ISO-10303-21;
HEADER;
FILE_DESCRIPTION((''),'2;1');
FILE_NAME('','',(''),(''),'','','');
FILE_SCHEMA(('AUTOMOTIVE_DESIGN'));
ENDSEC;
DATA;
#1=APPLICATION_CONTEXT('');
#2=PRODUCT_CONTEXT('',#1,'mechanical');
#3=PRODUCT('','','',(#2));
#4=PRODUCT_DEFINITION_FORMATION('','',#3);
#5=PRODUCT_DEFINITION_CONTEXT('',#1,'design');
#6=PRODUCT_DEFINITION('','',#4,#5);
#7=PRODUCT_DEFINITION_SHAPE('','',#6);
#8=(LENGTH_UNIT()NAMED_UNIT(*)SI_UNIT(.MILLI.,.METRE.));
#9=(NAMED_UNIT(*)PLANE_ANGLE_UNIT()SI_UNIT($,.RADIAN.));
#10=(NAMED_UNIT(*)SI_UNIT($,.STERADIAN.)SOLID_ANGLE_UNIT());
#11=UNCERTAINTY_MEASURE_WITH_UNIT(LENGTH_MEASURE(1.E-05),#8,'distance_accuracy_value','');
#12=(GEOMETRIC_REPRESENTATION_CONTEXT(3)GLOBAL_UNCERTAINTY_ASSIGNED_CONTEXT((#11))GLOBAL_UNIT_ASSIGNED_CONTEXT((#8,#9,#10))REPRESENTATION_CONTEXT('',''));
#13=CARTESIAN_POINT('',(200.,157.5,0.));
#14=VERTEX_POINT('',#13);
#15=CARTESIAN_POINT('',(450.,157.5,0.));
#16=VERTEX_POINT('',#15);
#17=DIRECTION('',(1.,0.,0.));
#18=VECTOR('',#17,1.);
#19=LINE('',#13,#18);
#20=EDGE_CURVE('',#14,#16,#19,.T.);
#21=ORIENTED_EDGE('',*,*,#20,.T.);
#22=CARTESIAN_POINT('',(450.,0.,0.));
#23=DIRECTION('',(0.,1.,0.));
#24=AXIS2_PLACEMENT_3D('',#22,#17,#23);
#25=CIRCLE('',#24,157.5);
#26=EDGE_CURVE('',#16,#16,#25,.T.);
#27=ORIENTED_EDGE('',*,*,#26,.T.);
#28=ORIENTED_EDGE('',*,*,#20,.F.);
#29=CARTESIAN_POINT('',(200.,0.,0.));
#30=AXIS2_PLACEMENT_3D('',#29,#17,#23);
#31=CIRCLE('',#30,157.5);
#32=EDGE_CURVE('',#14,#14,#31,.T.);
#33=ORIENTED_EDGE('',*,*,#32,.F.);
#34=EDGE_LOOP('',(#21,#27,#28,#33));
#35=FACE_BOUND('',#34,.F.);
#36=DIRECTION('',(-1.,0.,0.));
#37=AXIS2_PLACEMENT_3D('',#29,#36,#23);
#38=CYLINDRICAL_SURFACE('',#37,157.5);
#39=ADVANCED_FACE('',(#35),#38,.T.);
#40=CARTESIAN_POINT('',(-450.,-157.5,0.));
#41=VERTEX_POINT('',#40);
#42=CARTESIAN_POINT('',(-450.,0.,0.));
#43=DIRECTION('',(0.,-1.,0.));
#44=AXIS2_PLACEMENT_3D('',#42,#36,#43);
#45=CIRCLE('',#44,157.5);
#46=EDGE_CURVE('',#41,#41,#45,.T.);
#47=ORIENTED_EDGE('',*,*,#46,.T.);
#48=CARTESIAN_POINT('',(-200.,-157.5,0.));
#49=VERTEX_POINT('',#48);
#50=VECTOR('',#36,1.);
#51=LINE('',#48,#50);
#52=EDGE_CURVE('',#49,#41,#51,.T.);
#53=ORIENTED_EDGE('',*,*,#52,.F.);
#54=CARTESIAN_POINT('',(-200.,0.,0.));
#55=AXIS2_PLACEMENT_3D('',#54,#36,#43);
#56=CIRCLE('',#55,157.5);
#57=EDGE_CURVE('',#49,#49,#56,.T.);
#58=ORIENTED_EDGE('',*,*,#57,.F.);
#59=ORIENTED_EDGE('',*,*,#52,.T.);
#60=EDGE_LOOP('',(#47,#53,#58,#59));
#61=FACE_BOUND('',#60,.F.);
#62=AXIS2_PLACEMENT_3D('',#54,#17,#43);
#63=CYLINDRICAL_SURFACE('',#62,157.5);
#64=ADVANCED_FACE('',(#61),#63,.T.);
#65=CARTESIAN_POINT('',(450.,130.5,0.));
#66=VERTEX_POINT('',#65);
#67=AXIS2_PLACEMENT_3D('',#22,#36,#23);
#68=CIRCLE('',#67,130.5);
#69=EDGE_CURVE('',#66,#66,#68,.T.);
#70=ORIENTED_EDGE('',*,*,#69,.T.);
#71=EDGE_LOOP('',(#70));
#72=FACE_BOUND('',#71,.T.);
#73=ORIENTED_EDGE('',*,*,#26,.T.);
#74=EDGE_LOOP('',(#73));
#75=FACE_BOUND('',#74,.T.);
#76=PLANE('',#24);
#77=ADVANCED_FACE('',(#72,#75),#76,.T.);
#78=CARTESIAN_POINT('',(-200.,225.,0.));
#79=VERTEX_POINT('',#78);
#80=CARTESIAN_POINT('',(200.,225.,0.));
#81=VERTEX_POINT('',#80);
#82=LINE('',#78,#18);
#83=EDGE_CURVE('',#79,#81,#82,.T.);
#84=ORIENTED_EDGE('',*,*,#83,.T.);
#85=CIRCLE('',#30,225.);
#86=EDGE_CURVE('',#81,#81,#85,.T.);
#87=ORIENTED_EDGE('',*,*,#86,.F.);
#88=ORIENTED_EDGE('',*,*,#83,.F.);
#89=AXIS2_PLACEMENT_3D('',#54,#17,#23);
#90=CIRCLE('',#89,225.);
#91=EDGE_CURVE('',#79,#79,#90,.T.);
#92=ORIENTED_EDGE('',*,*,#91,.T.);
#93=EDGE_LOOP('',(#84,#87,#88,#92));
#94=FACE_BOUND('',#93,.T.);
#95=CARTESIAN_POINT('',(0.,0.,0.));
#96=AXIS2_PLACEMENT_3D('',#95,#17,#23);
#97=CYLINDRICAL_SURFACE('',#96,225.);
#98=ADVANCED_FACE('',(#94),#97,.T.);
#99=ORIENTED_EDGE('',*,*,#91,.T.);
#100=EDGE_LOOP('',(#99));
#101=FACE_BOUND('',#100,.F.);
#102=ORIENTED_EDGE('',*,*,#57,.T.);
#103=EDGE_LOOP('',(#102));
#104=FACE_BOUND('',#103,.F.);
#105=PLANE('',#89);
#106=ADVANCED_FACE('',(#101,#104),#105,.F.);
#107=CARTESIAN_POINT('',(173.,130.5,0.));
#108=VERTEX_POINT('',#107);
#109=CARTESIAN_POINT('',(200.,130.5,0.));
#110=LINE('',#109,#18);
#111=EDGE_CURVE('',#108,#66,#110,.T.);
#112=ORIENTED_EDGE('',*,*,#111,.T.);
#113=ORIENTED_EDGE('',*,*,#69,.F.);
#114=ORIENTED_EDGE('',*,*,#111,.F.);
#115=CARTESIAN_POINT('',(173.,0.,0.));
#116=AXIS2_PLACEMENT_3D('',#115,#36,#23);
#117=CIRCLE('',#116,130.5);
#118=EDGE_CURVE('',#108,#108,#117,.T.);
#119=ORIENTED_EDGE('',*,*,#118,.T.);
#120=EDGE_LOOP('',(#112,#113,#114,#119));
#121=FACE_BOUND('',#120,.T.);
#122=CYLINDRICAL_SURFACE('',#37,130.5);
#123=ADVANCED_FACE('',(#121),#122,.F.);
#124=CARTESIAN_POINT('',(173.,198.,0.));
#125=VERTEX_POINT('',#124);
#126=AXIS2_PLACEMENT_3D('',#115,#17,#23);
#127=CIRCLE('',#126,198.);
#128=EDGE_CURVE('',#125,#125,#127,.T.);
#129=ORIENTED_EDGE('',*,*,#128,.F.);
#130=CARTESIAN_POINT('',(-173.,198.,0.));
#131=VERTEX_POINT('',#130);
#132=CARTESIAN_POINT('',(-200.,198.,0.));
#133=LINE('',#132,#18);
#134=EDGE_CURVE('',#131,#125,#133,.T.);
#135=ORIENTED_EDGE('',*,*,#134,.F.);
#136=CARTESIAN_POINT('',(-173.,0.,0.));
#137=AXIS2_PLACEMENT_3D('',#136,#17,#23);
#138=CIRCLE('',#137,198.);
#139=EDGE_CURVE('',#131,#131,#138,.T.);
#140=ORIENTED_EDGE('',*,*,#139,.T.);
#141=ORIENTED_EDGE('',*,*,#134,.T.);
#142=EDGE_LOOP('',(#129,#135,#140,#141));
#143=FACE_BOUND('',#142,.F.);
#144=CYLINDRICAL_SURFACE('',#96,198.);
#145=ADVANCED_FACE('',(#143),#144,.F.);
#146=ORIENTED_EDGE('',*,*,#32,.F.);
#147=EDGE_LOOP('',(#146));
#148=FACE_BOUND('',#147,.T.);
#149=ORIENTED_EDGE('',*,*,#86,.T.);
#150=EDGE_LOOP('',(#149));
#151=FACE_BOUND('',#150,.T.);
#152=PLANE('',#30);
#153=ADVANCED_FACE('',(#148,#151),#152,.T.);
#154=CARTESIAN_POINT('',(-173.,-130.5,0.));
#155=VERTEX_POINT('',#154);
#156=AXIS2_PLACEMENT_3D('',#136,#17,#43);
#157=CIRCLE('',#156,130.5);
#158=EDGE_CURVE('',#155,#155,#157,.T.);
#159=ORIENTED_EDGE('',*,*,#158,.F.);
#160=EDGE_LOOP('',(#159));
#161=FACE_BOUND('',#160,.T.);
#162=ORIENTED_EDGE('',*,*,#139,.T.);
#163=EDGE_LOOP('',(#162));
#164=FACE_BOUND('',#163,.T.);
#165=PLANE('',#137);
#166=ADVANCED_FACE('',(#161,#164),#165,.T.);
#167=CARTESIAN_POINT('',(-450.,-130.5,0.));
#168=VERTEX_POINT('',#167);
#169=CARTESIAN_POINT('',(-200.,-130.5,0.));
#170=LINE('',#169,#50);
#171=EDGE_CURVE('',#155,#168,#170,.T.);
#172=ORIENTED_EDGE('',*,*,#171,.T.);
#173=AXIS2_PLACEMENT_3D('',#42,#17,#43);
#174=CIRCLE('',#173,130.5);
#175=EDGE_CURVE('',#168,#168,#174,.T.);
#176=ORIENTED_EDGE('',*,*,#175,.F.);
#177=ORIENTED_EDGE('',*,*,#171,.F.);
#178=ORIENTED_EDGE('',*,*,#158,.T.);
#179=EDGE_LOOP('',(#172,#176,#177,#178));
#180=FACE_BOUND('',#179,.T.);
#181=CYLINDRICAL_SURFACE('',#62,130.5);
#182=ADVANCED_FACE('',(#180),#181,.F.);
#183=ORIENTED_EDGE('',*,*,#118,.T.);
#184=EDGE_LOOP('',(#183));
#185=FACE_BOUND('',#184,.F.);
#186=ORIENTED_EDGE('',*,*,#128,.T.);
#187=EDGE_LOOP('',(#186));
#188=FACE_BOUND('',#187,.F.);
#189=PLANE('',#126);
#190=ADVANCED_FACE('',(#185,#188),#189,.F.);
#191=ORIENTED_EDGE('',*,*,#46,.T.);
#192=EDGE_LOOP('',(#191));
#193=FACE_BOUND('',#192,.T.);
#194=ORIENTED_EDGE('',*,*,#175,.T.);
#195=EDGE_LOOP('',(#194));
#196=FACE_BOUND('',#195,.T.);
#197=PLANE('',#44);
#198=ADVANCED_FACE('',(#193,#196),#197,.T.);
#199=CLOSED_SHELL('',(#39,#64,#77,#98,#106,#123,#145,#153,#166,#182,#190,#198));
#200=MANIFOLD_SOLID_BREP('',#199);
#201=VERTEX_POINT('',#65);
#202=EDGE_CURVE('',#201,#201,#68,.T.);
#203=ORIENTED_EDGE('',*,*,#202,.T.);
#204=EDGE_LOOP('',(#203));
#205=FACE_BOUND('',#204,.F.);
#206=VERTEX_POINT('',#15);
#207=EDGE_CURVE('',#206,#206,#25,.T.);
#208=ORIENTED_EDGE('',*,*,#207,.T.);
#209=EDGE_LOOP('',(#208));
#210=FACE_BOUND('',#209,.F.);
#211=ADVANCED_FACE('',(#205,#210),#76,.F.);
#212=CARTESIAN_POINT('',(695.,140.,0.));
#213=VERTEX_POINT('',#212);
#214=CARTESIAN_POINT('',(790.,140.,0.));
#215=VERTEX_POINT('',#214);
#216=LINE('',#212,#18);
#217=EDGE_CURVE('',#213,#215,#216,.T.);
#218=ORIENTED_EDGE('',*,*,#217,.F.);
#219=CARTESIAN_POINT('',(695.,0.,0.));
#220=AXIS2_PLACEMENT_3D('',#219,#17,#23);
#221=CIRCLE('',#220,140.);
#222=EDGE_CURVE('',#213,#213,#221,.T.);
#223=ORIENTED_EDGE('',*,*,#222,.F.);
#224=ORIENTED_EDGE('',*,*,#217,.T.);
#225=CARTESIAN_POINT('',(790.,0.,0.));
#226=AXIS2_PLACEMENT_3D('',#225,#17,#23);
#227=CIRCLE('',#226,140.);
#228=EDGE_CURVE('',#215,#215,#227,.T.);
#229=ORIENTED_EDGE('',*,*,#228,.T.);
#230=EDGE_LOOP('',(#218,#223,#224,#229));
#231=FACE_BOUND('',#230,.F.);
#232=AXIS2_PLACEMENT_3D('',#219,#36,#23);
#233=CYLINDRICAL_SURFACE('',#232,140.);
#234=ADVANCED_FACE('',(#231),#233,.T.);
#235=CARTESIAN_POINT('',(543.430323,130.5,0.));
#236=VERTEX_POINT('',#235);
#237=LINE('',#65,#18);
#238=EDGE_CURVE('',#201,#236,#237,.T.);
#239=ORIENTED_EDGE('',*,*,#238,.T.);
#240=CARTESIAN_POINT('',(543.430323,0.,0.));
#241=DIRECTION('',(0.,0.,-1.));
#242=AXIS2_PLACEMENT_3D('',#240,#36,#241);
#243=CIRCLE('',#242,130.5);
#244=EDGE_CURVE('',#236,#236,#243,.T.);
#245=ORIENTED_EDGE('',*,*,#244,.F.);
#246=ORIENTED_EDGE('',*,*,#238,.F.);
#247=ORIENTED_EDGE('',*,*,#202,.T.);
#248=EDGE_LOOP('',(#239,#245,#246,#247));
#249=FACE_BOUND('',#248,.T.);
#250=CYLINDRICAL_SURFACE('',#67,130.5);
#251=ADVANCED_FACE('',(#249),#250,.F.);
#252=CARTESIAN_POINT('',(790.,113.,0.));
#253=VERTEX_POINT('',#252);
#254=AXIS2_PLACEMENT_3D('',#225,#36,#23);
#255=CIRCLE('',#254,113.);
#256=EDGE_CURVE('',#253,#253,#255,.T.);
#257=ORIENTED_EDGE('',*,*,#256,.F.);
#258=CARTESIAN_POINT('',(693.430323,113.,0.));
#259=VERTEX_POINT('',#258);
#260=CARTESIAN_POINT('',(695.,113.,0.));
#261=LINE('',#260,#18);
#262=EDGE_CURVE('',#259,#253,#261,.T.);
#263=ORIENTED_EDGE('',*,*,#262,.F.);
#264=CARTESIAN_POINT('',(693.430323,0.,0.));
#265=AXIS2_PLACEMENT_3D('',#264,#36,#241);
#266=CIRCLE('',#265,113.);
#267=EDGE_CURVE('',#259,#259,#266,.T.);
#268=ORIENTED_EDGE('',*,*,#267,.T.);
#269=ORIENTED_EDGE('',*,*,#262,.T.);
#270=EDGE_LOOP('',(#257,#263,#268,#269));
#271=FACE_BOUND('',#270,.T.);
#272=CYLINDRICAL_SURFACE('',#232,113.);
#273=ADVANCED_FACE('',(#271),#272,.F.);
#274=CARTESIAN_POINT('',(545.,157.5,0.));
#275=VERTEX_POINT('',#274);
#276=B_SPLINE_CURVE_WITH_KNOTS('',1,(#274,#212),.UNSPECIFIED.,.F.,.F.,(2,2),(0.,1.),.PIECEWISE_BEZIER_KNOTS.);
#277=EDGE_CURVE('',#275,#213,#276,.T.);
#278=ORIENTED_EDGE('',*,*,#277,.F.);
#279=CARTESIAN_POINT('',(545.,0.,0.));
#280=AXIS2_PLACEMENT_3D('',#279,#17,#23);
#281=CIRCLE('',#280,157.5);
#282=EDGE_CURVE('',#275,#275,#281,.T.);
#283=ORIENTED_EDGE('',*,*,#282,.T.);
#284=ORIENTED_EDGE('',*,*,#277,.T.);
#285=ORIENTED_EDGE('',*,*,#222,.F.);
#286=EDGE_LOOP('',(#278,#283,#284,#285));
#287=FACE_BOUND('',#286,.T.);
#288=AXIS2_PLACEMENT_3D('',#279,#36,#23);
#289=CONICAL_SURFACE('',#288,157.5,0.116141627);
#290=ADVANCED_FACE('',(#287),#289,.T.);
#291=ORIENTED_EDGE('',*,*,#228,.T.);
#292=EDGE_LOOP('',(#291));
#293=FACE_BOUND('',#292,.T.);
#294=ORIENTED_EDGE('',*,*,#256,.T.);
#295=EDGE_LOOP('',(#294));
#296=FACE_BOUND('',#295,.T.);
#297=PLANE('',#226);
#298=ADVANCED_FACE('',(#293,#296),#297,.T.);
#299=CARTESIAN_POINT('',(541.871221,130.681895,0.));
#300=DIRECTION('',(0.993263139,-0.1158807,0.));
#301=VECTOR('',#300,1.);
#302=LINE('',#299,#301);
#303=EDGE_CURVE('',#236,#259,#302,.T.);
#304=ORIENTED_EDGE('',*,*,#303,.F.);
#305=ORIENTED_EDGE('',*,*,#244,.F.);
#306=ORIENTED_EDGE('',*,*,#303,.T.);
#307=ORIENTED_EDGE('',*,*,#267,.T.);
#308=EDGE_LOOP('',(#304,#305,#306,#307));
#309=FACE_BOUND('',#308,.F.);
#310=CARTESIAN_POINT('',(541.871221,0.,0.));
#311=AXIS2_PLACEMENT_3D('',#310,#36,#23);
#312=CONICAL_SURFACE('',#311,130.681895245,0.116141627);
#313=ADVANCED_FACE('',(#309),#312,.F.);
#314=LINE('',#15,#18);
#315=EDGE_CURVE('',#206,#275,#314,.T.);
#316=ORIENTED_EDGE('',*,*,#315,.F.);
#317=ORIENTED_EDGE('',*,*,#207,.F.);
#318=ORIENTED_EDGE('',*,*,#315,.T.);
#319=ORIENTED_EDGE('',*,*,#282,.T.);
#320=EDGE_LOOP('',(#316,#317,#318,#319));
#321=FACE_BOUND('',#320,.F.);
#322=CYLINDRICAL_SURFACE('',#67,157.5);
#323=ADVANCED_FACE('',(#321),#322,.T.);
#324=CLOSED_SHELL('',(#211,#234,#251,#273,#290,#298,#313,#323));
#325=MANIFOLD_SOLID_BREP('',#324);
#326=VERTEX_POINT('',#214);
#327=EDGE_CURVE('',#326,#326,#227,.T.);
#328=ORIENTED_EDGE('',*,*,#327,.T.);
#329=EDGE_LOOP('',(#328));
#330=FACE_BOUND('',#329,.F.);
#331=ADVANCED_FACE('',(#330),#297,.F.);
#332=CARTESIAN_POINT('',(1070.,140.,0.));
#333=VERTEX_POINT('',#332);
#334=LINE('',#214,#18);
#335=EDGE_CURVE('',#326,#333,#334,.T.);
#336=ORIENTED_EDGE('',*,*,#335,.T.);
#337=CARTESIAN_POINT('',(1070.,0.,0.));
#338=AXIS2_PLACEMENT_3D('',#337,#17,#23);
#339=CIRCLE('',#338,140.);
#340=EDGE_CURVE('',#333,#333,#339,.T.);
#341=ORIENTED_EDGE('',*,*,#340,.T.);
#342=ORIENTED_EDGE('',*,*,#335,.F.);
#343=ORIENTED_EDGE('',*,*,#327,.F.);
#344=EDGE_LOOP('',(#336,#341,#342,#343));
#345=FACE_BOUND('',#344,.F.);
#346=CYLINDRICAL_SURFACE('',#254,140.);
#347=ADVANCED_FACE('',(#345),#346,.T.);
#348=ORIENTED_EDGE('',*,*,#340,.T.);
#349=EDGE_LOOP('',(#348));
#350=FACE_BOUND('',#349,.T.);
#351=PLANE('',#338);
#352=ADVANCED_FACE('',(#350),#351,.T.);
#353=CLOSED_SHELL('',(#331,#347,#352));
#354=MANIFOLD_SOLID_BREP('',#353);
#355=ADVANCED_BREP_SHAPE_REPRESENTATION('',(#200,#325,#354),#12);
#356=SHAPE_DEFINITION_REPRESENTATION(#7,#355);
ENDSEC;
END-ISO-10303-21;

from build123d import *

# Parameters (mm, degrees)
F0_R      = 225
F1_DEPTH  = 200
F2_R      = 157.5
F3_DEPTH  = 250
F4_R      = 157.5
F5_DEPTH  = 250
F6_R      = 157.5
F7_DEPTH  = 95
F8_R      = 157.5
F10_R     = 140
F12_R     = 140
F13_DEPTH = 95
F14_T     = -27
F15_T     = -27
F16_R     = 140
F17_DEPTH = 280


with BuildPart() as f1:
    # F0 (on Right) → F1 (new body, symmetric)
    with BuildSketch(Plane.YZ):
        Circle(F0_R)
    extrude(amount=F1_DEPTH, both=True)

    # F2 (on face) → F3 (join)
    with BuildSketch(Plane.YZ.offset(200)):
        Circle(F2_R)
    extrude(amount=F3_DEPTH)

    # F4 (on face) → F5 (join)
    with BuildSketch(Plane(origin=(-200, 0, 0), x_dir=(0, -1, 0), z_dir=(-1, 0, 0))):
        Circle(F4_R)
    extrude(amount=F5_DEPTH)

    # F14
    f14_openings = [f1.faces().sort_by_distance(p)[0] for p in [
        (-450, 0, 0),
        (450, 0, 0),
    ]]
    offset(amount=F14_T, openings=f14_openings, kind=Kind.INTERSECTION)


with BuildPart() as f7:
    # F6 (on face) → F7 (new body)
    with BuildSketch(Plane.YZ.offset(450)):
        Circle(F6_R)
    extrude(amount=F7_DEPTH)

    # F8 (on face) → F11 section 0
    with BuildSketch(Plane.YZ.offset(545)):
        Circle(F8_R)
    # F10 (on offset) → F11 section 1
    with BuildSketch(Plane.YZ.offset(695)):
        Circle(F10_R)
    loft()

    # F12 (on face) → F13 (join)
    with BuildSketch(Plane.YZ.offset(695)):
        Circle(F12_R)
    extrude(amount=F13_DEPTH)

    # F15
    f15_openings = [f7.faces().sort_by_distance(p)[0] for p in [
        (790, 0, 0),
        (450, 0, 0),
    ]]
    offset(amount=F15_T, openings=f15_openings, kind=Kind.INTERSECTION)


with BuildPart() as f17:
    # F16 (on face) → F17 (new body)
    with BuildSketch(Plane.YZ.offset(790)):
        Circle(F16_R)
    extrude(amount=F17_DEPTH)


solid = Compound([f1.part, f7.part, f17.part])
